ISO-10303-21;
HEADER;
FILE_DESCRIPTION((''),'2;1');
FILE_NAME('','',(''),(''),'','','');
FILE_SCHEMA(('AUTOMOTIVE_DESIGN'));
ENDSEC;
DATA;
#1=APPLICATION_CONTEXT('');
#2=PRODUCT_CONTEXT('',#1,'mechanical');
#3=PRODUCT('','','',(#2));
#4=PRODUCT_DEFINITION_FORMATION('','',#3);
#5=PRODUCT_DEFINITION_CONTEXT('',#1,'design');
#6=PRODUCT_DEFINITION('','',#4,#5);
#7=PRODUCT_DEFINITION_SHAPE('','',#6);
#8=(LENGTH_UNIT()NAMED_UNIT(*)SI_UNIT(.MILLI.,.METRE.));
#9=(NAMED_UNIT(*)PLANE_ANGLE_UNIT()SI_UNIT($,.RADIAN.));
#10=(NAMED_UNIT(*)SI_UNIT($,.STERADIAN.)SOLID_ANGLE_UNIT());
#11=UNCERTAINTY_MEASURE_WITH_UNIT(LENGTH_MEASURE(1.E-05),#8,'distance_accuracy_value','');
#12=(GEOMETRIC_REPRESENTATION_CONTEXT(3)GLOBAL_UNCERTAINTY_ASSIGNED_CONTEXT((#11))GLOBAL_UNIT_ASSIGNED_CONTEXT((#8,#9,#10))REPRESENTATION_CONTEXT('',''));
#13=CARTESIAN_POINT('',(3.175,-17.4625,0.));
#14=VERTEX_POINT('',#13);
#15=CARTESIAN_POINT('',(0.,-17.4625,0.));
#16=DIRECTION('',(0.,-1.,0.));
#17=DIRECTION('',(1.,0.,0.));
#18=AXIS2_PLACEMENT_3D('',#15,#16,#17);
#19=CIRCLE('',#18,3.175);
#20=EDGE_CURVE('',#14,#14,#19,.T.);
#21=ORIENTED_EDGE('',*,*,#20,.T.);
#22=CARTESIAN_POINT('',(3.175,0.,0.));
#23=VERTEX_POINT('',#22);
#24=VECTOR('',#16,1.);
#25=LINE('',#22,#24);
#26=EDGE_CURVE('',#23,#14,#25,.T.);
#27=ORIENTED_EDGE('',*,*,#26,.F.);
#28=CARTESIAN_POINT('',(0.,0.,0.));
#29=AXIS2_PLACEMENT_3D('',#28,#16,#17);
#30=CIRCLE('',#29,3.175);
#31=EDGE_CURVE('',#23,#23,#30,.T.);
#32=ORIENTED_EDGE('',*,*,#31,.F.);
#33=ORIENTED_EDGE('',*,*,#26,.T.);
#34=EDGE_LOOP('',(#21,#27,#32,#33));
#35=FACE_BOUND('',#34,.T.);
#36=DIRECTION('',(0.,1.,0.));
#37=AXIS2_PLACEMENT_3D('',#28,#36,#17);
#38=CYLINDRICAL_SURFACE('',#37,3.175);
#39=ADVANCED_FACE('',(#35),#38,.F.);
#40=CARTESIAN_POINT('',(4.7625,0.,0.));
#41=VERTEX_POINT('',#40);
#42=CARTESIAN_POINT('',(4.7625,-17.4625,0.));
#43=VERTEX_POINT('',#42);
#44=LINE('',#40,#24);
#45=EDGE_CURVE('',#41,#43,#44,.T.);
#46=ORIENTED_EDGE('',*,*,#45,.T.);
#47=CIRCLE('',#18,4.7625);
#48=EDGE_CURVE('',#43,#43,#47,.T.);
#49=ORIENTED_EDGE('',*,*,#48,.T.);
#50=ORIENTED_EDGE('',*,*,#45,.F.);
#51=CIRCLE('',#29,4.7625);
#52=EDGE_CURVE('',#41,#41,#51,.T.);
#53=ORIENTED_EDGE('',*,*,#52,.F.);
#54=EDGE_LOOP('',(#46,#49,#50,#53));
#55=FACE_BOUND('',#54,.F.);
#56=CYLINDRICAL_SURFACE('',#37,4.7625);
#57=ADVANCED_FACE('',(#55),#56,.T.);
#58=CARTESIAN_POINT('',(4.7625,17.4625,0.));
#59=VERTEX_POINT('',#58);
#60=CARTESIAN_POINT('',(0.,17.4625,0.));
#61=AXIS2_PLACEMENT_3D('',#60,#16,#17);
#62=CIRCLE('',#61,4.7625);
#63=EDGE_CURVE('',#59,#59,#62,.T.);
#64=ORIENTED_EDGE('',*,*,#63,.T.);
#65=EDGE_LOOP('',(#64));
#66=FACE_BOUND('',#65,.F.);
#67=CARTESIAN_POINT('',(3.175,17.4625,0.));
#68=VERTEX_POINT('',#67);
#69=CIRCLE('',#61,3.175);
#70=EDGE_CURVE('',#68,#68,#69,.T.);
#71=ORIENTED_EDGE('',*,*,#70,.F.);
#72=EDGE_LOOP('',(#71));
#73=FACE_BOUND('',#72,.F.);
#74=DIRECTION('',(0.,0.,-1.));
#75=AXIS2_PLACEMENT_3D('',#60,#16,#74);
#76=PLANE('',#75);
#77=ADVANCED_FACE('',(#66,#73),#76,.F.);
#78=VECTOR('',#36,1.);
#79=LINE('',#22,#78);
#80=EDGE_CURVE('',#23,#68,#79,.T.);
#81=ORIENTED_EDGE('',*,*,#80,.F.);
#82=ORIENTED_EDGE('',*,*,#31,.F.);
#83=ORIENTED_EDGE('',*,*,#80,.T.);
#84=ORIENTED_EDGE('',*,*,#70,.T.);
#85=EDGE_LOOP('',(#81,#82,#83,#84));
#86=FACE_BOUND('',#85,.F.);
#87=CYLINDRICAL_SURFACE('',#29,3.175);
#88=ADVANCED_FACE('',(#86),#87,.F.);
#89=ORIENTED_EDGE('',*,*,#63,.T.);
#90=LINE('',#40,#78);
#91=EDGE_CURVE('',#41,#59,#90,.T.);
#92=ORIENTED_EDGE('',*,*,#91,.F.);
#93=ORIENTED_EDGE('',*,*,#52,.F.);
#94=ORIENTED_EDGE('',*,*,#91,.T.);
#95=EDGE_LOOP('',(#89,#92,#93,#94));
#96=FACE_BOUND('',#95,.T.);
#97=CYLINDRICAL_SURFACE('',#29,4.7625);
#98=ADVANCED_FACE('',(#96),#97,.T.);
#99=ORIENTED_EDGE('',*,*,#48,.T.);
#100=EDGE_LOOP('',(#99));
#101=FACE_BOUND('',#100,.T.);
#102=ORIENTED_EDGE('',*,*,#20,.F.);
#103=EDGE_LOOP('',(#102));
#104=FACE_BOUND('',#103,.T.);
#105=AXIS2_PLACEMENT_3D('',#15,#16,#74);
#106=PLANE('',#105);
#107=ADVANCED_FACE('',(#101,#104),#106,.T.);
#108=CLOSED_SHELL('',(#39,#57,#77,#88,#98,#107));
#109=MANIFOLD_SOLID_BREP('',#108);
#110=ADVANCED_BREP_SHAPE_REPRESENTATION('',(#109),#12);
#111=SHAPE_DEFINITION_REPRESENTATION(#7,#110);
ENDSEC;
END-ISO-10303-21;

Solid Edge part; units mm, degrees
sketch "Sketch1" plane through (0, 0, 0) normal (0, -1, 0) x (1, 0, 0)
  circle A0 centre (0, 0) radius 3.175
  circle A1 centre (0, 0) radius 4.7625
extrude "Protrusion1" add sketch "Sketch1" along normal mid plane 34.925
